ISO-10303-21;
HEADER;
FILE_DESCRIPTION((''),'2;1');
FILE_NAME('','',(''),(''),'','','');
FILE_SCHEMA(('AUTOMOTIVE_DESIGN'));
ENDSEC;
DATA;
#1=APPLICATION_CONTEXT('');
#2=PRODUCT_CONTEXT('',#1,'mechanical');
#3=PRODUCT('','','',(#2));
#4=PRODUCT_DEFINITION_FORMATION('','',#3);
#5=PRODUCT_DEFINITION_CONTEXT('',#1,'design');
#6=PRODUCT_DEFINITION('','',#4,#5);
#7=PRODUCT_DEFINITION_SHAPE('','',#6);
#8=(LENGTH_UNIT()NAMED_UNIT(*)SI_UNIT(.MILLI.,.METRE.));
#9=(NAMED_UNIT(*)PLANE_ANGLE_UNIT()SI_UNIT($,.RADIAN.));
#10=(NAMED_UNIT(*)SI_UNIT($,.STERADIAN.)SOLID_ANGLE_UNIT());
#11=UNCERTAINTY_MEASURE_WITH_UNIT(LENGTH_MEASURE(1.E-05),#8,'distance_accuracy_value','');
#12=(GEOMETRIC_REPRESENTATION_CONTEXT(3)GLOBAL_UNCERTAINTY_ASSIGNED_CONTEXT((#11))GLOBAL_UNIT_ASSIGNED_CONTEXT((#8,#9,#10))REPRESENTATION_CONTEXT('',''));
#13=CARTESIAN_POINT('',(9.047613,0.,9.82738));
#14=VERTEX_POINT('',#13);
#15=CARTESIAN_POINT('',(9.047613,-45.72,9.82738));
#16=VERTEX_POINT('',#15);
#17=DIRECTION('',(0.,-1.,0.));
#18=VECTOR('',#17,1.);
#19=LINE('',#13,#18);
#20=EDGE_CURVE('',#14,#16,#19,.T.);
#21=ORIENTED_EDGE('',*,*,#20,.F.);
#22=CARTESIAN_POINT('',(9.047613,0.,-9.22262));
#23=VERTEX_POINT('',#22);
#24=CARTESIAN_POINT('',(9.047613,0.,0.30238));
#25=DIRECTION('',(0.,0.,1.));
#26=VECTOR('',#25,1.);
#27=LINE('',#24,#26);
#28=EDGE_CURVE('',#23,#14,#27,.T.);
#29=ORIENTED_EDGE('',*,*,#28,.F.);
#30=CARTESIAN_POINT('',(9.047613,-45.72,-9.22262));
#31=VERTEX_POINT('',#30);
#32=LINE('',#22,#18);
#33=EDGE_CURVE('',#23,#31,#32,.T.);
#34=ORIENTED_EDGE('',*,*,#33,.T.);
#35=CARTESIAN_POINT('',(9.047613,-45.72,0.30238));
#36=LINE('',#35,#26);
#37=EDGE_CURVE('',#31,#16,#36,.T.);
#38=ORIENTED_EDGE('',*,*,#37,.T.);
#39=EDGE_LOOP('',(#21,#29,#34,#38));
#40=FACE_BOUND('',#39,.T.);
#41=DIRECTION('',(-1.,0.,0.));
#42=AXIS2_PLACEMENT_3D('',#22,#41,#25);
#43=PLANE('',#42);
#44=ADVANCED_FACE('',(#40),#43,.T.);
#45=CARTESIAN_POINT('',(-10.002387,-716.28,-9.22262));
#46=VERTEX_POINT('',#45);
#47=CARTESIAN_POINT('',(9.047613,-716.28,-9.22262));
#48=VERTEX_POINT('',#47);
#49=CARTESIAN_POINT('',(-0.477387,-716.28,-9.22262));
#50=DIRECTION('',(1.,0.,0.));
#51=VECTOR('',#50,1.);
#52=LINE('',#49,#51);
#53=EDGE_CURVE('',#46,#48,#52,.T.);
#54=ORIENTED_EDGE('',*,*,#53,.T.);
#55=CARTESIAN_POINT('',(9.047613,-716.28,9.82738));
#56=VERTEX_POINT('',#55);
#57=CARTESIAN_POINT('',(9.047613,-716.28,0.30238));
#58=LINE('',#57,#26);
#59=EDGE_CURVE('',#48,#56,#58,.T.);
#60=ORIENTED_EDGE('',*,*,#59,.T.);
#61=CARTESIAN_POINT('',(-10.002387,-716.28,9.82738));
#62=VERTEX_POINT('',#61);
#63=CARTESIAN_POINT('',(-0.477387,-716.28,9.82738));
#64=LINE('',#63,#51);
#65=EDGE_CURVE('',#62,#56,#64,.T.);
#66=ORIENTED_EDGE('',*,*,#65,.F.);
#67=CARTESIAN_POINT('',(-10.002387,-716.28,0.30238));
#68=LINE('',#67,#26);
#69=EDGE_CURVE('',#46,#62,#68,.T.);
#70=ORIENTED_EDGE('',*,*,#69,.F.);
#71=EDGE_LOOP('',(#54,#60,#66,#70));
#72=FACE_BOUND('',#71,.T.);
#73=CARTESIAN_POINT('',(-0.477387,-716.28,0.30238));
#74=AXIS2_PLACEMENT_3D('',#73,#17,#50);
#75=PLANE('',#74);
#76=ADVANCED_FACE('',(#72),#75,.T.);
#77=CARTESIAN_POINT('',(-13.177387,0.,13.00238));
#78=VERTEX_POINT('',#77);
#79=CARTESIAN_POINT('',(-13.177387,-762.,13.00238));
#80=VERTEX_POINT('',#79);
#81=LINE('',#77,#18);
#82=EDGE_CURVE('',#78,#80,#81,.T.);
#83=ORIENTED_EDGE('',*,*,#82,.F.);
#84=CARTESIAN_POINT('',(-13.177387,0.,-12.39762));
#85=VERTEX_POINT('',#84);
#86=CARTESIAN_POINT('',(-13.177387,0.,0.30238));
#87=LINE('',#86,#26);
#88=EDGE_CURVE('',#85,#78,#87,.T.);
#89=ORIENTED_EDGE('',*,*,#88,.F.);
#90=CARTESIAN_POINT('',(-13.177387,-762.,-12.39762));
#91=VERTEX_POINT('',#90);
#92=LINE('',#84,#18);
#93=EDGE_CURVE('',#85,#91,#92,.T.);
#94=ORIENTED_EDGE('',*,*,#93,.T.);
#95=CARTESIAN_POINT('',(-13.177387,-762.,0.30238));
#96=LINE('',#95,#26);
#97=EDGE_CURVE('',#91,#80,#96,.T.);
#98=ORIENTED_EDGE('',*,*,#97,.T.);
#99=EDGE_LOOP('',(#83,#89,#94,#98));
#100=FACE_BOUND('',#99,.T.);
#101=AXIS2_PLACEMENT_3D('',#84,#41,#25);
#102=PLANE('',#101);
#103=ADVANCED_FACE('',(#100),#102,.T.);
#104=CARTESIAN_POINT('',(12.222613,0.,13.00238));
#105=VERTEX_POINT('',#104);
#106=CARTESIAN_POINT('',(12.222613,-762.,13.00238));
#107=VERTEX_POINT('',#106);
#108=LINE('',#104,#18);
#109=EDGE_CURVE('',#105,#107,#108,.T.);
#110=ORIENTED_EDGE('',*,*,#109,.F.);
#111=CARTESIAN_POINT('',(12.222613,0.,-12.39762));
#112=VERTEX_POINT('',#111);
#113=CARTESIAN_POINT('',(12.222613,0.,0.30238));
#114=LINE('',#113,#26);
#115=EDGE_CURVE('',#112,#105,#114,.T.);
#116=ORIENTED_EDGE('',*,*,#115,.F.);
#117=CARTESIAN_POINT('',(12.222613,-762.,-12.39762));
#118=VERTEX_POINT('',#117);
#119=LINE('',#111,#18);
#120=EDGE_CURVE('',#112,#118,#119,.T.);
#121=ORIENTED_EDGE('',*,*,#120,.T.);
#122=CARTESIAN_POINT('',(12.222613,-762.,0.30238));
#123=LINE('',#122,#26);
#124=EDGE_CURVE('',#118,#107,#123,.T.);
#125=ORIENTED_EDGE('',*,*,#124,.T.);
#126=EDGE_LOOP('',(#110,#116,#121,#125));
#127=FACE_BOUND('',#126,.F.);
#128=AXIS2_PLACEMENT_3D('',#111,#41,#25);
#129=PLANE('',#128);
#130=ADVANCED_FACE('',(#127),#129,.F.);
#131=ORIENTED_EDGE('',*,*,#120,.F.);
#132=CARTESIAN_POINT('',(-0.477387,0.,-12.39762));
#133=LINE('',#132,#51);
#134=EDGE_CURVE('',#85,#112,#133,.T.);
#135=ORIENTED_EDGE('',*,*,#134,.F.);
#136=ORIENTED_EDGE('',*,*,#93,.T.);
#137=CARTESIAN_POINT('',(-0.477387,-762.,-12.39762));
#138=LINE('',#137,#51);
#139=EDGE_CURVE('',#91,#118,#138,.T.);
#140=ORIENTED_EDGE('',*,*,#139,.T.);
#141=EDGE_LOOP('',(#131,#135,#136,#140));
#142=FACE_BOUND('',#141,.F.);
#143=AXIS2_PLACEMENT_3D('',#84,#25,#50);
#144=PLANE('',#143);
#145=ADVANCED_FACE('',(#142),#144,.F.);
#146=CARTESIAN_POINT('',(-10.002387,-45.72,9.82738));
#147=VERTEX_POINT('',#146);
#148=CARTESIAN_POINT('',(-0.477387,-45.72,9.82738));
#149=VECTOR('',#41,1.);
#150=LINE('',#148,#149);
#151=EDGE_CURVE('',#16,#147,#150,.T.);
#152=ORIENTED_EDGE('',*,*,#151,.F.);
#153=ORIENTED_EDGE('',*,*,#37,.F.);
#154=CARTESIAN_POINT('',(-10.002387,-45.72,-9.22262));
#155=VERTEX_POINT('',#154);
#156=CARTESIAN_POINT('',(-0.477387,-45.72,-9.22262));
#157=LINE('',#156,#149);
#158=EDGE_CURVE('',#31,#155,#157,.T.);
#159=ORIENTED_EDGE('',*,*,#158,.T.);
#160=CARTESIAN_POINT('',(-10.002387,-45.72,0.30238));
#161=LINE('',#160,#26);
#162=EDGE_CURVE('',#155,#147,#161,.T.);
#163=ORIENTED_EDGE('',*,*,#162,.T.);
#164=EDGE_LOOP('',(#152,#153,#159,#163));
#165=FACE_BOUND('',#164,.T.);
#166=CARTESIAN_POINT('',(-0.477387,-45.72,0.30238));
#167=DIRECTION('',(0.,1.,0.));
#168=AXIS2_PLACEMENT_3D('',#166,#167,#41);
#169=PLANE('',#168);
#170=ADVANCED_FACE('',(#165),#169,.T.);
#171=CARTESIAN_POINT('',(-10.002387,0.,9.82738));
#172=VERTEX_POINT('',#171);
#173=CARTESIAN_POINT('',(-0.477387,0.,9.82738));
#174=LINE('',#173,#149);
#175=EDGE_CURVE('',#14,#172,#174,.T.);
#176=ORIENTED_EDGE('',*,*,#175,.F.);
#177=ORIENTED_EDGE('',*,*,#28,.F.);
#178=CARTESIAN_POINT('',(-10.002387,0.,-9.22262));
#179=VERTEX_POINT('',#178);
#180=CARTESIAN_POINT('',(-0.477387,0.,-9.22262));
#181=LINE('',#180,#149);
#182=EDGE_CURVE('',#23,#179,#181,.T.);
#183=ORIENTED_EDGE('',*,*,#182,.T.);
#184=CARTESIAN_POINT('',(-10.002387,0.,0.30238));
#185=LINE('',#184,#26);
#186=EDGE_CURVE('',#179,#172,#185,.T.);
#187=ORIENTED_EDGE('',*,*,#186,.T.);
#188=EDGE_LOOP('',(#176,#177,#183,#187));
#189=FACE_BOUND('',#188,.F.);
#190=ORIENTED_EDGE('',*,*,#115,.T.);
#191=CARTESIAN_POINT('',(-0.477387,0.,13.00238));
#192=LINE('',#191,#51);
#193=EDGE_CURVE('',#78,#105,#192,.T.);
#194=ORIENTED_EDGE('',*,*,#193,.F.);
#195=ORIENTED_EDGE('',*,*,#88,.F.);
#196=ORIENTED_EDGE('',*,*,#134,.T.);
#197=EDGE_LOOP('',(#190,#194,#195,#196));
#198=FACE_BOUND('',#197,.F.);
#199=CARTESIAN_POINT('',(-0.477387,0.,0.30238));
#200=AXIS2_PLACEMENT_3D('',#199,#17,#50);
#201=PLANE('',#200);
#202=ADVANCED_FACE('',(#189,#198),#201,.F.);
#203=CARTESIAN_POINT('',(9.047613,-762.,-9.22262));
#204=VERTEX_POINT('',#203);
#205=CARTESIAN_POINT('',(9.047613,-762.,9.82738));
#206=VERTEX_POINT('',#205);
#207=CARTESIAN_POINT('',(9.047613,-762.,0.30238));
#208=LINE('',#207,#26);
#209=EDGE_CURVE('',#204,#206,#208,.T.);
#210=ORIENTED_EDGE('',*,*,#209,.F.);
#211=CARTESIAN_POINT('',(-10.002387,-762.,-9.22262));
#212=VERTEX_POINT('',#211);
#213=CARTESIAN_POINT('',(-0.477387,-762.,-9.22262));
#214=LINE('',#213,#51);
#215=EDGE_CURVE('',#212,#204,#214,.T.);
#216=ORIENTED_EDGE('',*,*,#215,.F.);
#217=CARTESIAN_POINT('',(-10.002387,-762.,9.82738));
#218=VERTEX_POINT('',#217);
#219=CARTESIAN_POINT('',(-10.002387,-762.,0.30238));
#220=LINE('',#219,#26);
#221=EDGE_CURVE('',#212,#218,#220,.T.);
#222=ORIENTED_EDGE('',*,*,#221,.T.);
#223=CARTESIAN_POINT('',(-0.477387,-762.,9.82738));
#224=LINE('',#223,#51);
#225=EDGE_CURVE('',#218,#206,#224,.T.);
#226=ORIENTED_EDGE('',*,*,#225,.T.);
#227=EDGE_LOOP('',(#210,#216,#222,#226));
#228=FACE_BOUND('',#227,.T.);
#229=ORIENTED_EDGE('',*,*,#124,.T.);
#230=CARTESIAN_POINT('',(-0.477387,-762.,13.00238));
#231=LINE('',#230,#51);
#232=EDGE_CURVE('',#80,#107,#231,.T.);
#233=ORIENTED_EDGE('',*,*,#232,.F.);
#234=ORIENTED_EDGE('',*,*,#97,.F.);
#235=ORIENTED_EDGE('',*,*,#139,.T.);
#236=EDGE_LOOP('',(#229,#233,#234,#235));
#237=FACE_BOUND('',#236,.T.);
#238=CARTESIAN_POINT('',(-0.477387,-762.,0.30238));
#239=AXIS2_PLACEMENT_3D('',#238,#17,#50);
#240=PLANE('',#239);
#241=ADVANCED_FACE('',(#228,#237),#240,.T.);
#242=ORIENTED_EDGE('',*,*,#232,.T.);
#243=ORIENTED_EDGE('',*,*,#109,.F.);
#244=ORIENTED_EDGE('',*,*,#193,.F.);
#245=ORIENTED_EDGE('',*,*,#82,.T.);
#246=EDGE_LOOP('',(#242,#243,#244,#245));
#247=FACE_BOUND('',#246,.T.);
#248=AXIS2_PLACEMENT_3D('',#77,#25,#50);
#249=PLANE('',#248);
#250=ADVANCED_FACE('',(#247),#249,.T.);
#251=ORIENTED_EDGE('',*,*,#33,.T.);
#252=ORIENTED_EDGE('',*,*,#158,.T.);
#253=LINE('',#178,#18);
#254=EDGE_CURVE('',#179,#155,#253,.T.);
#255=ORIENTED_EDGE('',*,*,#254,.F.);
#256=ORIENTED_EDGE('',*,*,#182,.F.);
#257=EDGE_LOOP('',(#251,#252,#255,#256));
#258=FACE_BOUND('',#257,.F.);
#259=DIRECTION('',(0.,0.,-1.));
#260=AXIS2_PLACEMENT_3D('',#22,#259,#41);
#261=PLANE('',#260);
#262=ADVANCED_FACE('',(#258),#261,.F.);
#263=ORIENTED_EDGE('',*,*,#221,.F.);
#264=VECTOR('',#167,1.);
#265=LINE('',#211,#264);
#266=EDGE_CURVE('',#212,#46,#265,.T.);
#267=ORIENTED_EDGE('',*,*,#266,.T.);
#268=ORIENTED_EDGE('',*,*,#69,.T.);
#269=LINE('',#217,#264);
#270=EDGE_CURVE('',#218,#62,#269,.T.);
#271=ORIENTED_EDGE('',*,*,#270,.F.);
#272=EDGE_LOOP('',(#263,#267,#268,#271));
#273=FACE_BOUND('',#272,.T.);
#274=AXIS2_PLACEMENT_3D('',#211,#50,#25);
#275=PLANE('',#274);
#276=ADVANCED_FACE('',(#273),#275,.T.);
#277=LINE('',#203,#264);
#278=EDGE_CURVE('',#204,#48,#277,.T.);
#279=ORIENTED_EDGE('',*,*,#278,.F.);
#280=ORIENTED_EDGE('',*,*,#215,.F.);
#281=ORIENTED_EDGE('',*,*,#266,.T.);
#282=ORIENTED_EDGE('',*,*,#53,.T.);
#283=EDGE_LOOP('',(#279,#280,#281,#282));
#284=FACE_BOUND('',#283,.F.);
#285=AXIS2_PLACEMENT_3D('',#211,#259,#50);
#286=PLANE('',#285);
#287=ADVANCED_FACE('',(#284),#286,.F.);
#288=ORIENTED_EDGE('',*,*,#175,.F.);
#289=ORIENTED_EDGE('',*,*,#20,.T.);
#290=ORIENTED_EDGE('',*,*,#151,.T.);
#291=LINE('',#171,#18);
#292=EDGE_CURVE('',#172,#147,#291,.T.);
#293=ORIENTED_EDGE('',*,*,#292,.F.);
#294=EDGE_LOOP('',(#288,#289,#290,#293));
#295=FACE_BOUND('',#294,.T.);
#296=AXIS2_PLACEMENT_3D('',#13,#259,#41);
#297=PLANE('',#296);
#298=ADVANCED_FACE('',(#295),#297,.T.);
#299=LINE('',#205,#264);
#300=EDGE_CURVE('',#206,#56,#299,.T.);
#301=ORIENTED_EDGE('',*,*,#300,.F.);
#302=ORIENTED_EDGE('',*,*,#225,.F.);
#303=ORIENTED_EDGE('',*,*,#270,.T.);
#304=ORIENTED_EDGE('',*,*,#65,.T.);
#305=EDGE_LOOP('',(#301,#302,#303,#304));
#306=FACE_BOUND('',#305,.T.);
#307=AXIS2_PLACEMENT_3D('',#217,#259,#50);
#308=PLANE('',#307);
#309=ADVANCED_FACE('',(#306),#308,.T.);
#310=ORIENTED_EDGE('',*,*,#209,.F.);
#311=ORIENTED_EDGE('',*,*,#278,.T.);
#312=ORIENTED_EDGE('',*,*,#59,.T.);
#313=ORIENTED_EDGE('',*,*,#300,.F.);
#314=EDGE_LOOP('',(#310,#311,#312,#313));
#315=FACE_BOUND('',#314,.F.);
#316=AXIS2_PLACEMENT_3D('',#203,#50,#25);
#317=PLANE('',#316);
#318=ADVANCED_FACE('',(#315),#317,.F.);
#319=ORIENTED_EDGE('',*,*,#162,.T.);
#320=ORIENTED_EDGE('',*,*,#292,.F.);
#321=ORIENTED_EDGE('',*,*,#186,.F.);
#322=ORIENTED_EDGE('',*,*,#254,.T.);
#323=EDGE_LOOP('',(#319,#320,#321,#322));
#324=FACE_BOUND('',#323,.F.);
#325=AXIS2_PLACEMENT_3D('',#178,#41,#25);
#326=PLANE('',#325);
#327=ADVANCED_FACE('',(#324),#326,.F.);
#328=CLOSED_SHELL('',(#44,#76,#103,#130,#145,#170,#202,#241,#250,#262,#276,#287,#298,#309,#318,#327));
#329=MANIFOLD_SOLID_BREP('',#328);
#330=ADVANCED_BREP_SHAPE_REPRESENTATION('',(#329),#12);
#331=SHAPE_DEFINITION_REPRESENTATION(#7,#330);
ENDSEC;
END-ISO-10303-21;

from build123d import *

# Parameters (mm, degrees)
F0_W     = 25.4
F0_H     = 25.4
F1_DEPTH = 762
F2_W     = 19.05
F2_H     = 19.05
F3_DEPTH = 45.72
F4_W     = 19.05
F4_H     = 19.05
F5_DEPTH = 45.72


with BuildPart() as f1:
    # F0 (on Front) → F1 (new body)
    with BuildSketch(Plane.XZ):
        with Locations((-0.477387, 0.30238)):
            Rectangle(F0_W, F0_H)
    extrude(amount=F1_DEPTH)

    # F2 (on face) → F3 (cut)
    with BuildSketch(Plane.XZ.offset(762)):
        with Locations((-0.477387, 0.30238)):
            Rectangle(F2_W, F2_H)
    extrude(amount=-F3_DEPTH, mode=Mode.SUBTRACT)

    # F4 (on face) → F5 (cut)
    with BuildSketch(Plane(origin=(0, 0, 0), x_dir=(-1, 0, 0), z_dir=(0, 1, 0))):
        with Locations((0.477387, 0.30238)):
            Rectangle(F4_W, F4_H)
    extrude(amount=-F5_DEPTH, mode=Mode.SUBTRACT)


solid = f1.part
